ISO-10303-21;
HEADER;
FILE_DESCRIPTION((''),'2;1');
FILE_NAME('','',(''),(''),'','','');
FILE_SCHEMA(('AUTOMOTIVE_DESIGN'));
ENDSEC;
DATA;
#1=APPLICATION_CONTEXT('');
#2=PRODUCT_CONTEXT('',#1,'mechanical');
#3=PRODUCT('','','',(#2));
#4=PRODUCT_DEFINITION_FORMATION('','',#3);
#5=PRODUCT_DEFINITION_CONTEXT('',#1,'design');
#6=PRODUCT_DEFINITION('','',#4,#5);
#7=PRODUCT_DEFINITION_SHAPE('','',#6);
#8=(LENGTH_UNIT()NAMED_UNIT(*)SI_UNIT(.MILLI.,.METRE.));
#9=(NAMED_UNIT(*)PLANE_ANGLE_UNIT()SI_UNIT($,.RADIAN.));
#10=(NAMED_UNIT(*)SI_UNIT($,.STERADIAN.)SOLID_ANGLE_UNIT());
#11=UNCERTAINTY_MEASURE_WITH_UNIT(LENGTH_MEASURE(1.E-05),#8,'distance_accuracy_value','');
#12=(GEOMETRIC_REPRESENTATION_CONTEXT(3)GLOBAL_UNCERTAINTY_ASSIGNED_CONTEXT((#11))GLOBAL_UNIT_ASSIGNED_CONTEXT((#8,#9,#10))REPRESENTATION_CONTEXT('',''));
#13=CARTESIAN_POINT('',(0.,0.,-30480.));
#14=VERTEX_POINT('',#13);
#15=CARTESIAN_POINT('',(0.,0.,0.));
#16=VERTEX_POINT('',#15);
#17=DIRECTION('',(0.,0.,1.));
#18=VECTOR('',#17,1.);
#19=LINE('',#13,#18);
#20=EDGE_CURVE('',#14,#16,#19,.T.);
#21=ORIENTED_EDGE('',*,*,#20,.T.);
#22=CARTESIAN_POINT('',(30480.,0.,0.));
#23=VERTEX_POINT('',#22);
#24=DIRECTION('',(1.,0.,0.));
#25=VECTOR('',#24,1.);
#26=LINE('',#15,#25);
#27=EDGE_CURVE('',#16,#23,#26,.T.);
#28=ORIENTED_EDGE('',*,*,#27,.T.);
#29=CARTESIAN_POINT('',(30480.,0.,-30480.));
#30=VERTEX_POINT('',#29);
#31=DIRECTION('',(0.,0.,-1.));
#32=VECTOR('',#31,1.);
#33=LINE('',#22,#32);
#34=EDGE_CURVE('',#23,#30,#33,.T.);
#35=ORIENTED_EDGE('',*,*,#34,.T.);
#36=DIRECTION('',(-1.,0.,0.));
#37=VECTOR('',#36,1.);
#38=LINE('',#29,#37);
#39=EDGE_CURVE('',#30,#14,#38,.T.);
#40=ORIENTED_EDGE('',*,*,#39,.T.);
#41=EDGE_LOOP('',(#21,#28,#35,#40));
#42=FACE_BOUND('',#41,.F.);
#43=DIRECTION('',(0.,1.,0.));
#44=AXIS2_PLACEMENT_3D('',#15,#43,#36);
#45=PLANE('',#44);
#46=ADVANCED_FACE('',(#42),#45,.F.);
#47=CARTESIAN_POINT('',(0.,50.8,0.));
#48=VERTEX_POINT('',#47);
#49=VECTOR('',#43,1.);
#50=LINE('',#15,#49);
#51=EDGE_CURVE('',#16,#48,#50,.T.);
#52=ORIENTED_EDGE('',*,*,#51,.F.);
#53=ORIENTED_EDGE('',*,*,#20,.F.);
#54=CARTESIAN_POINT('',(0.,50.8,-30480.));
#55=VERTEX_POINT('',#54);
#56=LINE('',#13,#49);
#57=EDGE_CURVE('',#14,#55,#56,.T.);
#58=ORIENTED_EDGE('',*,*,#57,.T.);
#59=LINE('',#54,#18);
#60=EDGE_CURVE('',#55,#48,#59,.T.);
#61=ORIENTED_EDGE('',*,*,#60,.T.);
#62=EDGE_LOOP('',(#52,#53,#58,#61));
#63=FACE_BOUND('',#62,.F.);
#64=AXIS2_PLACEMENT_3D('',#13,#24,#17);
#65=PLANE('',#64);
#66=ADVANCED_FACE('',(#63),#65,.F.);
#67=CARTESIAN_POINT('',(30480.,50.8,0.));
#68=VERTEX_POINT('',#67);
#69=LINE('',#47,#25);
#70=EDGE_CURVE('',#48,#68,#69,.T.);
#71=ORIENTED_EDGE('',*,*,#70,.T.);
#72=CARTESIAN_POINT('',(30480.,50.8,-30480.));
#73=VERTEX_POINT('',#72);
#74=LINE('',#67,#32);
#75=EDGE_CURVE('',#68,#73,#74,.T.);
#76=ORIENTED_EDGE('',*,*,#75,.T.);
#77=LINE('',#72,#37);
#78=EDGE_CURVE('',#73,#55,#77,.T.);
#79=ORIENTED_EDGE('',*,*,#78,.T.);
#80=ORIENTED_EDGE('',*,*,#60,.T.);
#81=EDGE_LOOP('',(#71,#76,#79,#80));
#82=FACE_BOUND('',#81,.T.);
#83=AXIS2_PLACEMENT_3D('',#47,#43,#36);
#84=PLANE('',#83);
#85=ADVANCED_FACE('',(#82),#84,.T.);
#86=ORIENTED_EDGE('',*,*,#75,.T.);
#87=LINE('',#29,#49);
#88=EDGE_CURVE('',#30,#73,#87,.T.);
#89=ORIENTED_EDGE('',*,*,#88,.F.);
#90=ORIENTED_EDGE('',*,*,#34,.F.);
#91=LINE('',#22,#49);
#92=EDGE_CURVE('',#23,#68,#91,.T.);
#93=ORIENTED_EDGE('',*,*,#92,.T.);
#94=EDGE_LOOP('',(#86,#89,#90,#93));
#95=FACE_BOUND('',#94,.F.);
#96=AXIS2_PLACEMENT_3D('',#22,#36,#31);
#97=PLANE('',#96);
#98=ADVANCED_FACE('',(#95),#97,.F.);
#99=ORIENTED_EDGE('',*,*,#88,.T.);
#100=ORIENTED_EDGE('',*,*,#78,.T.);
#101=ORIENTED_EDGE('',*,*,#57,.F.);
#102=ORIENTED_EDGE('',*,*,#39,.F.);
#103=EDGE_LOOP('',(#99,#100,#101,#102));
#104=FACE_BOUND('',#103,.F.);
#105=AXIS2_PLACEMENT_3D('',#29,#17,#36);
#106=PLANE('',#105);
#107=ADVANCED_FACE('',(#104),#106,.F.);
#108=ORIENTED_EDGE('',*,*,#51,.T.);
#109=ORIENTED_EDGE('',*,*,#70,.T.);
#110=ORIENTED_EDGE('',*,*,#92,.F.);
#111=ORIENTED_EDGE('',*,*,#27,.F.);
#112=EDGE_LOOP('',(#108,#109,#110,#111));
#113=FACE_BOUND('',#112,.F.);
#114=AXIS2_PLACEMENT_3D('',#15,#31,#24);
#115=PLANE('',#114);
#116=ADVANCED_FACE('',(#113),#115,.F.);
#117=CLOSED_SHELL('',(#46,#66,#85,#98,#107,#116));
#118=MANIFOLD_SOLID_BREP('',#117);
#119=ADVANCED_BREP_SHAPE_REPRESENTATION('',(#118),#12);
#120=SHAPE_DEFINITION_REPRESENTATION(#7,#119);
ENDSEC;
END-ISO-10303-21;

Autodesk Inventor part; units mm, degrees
ref_plane "YZ Plane" through (0, 0, 0) normal (1, 0, 0) x (0, 1, 0)
ref_plane "XZ Plane" through (0, 0, 0) normal (0, 1, 0) x (-1, 0, 0)
ref_plane "XY Plane" through (0, 0, 0) normal (0, 0, 1) x (1, 0, 0)
sketch "Sketch1" plane through (0, 0, 0) normal (0, 1, 0) x (-1, 0, 0)
  line L0 (0, 0) -> (-30480, 0)
  line L1 (-30480, 0) -> (-30480, -30480)
  line L2 (-30480, -30480) -> (0, -30480)
  line L3 (0, -30480) -> (0, 0)
  dimension "d0" = 30480
  dimension "d1" = 30480
extrude "Extrusion1" add sketch "Sketch1" along normal blind 50.8
properties part number "Ground"
